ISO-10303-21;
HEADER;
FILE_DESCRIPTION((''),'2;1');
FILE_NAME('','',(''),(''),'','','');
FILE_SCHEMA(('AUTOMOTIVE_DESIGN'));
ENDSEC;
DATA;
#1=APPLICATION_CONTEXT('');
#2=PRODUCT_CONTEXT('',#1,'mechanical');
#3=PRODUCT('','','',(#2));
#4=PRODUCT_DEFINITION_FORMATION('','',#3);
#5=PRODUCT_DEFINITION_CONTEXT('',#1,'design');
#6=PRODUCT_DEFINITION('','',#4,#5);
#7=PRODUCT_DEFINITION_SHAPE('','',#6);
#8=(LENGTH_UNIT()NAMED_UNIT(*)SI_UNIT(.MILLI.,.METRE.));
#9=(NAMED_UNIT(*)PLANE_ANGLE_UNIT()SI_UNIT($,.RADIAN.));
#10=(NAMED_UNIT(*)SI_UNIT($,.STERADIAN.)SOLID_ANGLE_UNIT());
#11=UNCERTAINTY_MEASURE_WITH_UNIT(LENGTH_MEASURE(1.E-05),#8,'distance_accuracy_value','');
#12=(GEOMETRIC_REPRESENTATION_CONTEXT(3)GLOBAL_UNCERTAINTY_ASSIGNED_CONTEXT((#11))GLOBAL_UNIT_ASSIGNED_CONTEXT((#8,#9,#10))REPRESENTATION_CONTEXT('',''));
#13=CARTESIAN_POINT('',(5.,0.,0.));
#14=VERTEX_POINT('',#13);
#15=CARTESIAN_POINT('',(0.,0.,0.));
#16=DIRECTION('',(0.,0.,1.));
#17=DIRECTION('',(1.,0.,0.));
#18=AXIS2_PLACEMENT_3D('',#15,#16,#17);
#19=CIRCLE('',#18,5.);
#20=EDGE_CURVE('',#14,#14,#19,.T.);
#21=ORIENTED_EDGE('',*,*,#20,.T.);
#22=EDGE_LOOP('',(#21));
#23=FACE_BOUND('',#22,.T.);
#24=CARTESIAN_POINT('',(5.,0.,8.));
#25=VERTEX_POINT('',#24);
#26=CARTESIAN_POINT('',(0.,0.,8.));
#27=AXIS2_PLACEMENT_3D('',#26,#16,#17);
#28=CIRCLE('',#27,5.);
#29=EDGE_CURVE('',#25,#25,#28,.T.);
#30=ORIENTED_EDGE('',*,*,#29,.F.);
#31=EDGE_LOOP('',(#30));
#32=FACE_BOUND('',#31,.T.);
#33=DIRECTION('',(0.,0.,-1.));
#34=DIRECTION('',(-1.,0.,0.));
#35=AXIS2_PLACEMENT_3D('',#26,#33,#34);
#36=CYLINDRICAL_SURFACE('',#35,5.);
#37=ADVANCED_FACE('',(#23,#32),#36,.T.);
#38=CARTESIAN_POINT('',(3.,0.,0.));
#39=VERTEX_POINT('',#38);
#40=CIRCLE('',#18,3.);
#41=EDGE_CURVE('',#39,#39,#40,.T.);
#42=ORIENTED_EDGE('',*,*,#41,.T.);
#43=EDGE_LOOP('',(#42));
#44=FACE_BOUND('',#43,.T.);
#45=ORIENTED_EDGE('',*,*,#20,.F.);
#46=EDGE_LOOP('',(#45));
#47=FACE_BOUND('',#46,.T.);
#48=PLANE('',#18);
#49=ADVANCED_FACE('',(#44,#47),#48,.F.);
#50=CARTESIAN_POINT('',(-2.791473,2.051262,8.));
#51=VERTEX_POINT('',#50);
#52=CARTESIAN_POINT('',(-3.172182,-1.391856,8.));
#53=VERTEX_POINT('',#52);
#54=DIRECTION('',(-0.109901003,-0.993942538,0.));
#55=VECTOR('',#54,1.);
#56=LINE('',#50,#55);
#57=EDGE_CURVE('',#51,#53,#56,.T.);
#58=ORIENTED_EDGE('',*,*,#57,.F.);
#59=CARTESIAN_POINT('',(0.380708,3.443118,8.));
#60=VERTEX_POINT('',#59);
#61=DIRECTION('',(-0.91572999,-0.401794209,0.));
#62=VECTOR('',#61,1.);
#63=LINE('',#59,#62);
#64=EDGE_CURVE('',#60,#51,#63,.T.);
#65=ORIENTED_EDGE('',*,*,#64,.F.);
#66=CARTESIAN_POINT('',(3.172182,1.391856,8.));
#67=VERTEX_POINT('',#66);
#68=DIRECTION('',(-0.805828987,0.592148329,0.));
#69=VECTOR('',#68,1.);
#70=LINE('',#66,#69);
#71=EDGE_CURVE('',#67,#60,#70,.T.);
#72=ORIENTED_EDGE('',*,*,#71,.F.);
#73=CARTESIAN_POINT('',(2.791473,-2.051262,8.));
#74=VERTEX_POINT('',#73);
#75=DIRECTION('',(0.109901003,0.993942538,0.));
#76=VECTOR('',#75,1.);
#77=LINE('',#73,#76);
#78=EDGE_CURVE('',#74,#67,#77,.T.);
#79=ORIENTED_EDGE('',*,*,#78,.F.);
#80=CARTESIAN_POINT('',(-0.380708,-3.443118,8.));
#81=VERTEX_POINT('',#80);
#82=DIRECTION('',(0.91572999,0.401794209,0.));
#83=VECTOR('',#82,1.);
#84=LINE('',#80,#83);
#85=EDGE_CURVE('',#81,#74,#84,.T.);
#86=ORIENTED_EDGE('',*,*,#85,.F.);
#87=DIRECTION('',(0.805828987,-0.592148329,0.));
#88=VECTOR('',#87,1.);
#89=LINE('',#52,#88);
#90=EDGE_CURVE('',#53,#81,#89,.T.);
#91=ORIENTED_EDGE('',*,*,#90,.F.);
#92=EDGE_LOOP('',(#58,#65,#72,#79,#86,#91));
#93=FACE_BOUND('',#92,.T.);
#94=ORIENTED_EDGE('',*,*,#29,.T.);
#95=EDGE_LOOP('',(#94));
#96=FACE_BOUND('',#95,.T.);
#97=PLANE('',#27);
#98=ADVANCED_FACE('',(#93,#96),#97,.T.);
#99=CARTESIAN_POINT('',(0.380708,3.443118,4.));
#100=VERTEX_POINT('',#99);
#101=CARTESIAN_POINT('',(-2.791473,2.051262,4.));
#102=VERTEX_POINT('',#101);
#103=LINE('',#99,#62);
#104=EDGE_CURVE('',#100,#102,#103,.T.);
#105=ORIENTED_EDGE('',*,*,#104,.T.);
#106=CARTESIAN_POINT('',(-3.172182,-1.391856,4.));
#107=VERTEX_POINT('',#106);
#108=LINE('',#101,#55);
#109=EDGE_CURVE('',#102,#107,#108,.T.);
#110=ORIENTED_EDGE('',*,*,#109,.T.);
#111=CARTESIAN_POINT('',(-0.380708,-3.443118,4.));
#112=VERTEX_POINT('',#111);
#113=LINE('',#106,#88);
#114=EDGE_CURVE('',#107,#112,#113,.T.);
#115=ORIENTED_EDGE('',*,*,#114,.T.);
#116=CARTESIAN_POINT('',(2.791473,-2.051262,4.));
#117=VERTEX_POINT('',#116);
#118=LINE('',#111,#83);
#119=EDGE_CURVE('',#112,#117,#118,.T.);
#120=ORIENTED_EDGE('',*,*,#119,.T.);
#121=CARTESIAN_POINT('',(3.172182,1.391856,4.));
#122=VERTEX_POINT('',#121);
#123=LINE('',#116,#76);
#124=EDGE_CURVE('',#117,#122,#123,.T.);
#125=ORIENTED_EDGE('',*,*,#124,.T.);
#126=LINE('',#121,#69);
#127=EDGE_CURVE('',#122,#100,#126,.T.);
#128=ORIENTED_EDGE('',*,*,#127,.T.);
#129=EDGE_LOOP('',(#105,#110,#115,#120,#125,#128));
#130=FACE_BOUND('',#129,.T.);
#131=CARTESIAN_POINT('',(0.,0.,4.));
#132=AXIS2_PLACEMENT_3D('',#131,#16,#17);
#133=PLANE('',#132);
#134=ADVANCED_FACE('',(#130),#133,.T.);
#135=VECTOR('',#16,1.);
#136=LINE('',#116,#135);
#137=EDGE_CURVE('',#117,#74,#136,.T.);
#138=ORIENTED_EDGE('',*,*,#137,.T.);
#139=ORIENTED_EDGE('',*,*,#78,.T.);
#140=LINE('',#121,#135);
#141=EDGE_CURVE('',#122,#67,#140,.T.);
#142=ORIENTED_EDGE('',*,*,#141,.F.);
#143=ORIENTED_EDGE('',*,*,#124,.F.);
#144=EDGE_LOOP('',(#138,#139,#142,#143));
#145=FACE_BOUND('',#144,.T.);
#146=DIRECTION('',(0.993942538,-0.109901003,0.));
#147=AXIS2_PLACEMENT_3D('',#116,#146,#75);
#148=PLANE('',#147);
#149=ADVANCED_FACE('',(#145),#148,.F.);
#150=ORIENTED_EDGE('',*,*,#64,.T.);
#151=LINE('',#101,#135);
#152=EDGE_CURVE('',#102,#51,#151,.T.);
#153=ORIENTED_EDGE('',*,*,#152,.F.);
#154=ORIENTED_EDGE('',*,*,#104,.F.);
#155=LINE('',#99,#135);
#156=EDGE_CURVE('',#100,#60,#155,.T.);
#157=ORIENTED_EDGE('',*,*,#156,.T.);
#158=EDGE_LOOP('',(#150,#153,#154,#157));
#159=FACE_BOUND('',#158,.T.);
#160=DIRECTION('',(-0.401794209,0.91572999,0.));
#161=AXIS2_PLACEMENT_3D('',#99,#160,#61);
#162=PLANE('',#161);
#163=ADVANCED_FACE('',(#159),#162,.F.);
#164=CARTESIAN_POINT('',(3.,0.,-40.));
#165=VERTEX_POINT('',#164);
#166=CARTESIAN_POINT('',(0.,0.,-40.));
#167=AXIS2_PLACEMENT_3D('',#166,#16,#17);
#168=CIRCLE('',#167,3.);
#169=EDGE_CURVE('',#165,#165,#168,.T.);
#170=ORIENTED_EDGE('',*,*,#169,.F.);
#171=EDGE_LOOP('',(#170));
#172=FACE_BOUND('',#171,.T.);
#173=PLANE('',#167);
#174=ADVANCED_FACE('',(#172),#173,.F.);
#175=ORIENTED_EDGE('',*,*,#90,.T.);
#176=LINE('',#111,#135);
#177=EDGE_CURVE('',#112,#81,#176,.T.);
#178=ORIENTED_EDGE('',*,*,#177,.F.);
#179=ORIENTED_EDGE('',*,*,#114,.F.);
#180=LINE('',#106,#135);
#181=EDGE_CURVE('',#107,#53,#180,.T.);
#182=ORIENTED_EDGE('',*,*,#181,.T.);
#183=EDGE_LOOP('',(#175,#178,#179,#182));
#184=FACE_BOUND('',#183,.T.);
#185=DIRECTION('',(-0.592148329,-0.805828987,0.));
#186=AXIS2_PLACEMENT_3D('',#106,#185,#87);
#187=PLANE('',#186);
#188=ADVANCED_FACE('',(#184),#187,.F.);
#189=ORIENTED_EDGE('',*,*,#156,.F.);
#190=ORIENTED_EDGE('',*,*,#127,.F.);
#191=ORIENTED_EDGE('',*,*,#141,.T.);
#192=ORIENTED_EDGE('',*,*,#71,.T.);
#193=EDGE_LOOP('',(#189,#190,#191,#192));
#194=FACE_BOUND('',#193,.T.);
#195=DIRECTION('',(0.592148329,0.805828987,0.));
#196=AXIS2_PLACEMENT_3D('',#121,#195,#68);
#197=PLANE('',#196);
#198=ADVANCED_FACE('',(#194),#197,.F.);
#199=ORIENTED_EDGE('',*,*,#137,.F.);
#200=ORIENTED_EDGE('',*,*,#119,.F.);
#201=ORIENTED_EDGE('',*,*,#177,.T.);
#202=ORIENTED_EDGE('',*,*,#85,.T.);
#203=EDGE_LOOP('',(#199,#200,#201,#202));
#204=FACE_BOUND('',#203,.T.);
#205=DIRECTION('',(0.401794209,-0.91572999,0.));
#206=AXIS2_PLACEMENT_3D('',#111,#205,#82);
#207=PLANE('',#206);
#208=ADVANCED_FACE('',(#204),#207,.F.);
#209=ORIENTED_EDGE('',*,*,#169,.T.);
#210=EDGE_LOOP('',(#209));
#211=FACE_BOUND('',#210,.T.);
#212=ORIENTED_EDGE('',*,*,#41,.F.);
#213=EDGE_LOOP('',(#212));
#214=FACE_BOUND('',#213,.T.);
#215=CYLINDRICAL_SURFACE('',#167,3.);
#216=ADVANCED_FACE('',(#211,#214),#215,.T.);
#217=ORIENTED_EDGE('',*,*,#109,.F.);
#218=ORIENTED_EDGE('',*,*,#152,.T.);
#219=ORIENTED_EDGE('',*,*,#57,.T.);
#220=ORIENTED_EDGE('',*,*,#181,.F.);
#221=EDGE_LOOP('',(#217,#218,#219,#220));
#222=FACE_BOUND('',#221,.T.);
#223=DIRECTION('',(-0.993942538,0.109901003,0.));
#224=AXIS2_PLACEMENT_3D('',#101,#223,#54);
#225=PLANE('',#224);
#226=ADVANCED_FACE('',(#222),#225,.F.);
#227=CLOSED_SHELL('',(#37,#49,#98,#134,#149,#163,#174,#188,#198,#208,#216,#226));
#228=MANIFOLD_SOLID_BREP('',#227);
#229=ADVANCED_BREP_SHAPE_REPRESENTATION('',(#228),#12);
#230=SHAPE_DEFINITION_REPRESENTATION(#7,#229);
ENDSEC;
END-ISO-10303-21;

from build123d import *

# Parameters (mm, degrees)
SZKIC1_R                    = 5
DODANIE_WYCI_GNI_CIE1_DEPTH = 8
SZKIC2_R                    = 3
DODANIE_WYCI_GNI_CIE2_DEPTH = 40
WYTNIJ_WYCI_GNI_CIE1_DEPTH  = 4


with BuildPart() as part:
    # Szkic1 → Dodanie-wyciągnięcie1 (new body)
    with BuildSketch(Plane.XY):
        Circle(SZKIC1_R)
    extrude(amount=DODANIE_WYCI_GNI_CIE1_DEPTH)

    # Szkic2 → Dodanie-wyciągnięcie2 (add)
    with BuildSketch(Plane.XY):
        Circle(SZKIC2_R)
    extrude(amount=-DODANIE_WYCI_GNI_CIE2_DEPTH)

    # Szkic3 → Wytnij-wyciągnięcie1 (cut)
    with BuildSketch(Plane.XY.offset(8)):
        Polygon((2.791473495, -2.051261985), (3.172181736, 1.391855968), (0.380708241, 3.443117953), (-2.791473495, 2.051261985), (-3.172181736, -1.391855968), (-0.380708241, -3.443117953), align=None)
    extrude(amount=-WYTNIJ_WYCI_GNI_CIE1_DEPTH, mode=Mode.SUBTRACT)


solid = part.part
